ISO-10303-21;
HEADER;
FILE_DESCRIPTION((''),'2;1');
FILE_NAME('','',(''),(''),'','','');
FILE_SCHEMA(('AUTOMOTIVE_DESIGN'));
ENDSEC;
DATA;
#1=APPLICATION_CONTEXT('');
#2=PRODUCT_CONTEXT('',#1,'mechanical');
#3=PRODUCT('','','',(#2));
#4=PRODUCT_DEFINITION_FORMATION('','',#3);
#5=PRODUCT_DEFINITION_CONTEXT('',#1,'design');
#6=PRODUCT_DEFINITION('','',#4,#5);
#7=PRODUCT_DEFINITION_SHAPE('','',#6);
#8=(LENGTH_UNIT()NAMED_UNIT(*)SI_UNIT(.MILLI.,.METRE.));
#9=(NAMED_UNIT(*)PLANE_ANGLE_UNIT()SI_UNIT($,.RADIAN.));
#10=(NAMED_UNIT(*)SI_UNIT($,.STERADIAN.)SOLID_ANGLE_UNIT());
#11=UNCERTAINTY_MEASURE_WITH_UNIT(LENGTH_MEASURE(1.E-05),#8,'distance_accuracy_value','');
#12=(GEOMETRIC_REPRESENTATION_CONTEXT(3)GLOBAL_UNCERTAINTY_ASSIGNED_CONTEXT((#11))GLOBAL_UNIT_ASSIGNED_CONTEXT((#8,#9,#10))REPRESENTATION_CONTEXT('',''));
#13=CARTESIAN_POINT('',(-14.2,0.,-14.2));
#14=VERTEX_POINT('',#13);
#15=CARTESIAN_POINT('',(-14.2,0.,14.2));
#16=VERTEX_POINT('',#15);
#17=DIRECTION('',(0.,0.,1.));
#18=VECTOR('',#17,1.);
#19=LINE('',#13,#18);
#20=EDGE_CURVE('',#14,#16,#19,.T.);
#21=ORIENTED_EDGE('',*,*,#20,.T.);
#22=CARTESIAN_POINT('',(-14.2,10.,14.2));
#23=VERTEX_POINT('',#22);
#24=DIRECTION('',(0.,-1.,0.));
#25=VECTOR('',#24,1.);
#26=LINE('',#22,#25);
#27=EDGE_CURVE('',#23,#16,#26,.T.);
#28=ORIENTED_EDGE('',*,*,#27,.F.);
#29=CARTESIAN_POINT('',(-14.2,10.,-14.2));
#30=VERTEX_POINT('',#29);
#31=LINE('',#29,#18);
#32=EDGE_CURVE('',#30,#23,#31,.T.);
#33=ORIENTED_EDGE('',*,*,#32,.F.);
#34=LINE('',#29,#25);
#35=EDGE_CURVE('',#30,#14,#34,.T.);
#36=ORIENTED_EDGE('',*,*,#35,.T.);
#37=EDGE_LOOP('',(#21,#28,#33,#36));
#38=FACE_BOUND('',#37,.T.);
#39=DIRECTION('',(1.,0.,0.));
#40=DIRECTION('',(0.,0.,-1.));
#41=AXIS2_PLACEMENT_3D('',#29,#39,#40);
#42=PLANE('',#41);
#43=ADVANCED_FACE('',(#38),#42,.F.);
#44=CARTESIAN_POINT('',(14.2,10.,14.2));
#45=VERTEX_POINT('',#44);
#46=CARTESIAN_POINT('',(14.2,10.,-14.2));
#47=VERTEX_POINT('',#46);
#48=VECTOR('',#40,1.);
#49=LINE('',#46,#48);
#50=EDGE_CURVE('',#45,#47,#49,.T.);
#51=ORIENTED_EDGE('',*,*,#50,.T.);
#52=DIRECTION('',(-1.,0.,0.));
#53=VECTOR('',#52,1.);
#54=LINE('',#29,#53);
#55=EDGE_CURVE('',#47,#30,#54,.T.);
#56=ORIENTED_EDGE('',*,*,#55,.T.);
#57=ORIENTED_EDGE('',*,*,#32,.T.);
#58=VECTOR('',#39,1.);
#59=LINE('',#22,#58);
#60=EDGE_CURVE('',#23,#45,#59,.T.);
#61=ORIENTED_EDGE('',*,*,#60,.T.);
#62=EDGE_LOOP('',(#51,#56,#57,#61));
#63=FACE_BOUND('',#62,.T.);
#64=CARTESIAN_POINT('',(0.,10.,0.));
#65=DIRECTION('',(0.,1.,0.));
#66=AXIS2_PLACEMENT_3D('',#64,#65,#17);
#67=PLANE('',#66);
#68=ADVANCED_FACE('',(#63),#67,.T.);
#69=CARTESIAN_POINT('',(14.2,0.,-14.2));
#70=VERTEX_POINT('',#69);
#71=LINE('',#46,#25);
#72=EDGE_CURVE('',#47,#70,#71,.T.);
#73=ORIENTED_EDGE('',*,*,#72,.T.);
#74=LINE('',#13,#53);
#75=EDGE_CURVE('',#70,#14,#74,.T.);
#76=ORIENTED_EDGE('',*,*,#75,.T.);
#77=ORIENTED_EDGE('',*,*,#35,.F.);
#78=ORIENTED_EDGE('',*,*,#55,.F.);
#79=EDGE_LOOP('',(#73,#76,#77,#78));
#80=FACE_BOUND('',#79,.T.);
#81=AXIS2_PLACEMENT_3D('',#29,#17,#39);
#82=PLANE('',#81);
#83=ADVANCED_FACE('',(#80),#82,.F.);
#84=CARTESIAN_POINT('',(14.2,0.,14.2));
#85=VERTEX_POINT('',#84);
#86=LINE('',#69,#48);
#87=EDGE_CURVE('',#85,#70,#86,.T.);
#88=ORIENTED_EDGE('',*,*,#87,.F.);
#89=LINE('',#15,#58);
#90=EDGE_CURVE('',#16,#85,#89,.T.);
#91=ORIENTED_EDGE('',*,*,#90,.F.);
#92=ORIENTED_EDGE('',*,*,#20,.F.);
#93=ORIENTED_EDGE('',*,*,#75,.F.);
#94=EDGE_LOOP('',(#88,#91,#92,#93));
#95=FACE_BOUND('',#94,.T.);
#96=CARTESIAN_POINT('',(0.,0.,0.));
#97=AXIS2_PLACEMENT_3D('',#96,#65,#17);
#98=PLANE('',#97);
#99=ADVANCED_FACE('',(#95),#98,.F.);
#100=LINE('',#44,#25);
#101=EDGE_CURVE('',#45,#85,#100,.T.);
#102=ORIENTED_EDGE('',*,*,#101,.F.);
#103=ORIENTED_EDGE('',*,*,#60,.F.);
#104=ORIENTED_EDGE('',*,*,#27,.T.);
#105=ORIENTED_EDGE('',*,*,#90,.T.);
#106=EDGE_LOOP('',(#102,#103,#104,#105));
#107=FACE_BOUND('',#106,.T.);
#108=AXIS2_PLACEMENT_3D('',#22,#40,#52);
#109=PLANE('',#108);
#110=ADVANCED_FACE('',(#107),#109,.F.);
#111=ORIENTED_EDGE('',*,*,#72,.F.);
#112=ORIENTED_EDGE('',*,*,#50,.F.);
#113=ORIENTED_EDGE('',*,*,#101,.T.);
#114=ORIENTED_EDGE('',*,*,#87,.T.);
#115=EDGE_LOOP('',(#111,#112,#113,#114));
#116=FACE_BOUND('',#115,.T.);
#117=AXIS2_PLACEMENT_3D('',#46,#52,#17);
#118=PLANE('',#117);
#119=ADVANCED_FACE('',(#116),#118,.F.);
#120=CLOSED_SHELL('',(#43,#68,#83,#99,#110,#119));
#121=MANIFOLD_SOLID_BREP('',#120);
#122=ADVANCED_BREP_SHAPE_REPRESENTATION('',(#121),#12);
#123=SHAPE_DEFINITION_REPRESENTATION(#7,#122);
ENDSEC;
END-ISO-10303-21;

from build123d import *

# Parameters (mm, degrees)
SKETCH2_W           = 28.4
SKETCH2_H           = 28.4
BOSS_EXTRUDE1_DEPTH = 10


with BuildPart() as part:
    # Sketch2 → Boss-Extrude1 (new body)
    with BuildSketch(Plane(origin=(0, 0, 0), x_dir=(1, 0, 0), z_dir=(0, 1, 0))):
        Rectangle(SKETCH2_W, SKETCH2_H)
    extrude(amount=BOSS_EXTRUDE1_DEPTH)


solid = part.part
